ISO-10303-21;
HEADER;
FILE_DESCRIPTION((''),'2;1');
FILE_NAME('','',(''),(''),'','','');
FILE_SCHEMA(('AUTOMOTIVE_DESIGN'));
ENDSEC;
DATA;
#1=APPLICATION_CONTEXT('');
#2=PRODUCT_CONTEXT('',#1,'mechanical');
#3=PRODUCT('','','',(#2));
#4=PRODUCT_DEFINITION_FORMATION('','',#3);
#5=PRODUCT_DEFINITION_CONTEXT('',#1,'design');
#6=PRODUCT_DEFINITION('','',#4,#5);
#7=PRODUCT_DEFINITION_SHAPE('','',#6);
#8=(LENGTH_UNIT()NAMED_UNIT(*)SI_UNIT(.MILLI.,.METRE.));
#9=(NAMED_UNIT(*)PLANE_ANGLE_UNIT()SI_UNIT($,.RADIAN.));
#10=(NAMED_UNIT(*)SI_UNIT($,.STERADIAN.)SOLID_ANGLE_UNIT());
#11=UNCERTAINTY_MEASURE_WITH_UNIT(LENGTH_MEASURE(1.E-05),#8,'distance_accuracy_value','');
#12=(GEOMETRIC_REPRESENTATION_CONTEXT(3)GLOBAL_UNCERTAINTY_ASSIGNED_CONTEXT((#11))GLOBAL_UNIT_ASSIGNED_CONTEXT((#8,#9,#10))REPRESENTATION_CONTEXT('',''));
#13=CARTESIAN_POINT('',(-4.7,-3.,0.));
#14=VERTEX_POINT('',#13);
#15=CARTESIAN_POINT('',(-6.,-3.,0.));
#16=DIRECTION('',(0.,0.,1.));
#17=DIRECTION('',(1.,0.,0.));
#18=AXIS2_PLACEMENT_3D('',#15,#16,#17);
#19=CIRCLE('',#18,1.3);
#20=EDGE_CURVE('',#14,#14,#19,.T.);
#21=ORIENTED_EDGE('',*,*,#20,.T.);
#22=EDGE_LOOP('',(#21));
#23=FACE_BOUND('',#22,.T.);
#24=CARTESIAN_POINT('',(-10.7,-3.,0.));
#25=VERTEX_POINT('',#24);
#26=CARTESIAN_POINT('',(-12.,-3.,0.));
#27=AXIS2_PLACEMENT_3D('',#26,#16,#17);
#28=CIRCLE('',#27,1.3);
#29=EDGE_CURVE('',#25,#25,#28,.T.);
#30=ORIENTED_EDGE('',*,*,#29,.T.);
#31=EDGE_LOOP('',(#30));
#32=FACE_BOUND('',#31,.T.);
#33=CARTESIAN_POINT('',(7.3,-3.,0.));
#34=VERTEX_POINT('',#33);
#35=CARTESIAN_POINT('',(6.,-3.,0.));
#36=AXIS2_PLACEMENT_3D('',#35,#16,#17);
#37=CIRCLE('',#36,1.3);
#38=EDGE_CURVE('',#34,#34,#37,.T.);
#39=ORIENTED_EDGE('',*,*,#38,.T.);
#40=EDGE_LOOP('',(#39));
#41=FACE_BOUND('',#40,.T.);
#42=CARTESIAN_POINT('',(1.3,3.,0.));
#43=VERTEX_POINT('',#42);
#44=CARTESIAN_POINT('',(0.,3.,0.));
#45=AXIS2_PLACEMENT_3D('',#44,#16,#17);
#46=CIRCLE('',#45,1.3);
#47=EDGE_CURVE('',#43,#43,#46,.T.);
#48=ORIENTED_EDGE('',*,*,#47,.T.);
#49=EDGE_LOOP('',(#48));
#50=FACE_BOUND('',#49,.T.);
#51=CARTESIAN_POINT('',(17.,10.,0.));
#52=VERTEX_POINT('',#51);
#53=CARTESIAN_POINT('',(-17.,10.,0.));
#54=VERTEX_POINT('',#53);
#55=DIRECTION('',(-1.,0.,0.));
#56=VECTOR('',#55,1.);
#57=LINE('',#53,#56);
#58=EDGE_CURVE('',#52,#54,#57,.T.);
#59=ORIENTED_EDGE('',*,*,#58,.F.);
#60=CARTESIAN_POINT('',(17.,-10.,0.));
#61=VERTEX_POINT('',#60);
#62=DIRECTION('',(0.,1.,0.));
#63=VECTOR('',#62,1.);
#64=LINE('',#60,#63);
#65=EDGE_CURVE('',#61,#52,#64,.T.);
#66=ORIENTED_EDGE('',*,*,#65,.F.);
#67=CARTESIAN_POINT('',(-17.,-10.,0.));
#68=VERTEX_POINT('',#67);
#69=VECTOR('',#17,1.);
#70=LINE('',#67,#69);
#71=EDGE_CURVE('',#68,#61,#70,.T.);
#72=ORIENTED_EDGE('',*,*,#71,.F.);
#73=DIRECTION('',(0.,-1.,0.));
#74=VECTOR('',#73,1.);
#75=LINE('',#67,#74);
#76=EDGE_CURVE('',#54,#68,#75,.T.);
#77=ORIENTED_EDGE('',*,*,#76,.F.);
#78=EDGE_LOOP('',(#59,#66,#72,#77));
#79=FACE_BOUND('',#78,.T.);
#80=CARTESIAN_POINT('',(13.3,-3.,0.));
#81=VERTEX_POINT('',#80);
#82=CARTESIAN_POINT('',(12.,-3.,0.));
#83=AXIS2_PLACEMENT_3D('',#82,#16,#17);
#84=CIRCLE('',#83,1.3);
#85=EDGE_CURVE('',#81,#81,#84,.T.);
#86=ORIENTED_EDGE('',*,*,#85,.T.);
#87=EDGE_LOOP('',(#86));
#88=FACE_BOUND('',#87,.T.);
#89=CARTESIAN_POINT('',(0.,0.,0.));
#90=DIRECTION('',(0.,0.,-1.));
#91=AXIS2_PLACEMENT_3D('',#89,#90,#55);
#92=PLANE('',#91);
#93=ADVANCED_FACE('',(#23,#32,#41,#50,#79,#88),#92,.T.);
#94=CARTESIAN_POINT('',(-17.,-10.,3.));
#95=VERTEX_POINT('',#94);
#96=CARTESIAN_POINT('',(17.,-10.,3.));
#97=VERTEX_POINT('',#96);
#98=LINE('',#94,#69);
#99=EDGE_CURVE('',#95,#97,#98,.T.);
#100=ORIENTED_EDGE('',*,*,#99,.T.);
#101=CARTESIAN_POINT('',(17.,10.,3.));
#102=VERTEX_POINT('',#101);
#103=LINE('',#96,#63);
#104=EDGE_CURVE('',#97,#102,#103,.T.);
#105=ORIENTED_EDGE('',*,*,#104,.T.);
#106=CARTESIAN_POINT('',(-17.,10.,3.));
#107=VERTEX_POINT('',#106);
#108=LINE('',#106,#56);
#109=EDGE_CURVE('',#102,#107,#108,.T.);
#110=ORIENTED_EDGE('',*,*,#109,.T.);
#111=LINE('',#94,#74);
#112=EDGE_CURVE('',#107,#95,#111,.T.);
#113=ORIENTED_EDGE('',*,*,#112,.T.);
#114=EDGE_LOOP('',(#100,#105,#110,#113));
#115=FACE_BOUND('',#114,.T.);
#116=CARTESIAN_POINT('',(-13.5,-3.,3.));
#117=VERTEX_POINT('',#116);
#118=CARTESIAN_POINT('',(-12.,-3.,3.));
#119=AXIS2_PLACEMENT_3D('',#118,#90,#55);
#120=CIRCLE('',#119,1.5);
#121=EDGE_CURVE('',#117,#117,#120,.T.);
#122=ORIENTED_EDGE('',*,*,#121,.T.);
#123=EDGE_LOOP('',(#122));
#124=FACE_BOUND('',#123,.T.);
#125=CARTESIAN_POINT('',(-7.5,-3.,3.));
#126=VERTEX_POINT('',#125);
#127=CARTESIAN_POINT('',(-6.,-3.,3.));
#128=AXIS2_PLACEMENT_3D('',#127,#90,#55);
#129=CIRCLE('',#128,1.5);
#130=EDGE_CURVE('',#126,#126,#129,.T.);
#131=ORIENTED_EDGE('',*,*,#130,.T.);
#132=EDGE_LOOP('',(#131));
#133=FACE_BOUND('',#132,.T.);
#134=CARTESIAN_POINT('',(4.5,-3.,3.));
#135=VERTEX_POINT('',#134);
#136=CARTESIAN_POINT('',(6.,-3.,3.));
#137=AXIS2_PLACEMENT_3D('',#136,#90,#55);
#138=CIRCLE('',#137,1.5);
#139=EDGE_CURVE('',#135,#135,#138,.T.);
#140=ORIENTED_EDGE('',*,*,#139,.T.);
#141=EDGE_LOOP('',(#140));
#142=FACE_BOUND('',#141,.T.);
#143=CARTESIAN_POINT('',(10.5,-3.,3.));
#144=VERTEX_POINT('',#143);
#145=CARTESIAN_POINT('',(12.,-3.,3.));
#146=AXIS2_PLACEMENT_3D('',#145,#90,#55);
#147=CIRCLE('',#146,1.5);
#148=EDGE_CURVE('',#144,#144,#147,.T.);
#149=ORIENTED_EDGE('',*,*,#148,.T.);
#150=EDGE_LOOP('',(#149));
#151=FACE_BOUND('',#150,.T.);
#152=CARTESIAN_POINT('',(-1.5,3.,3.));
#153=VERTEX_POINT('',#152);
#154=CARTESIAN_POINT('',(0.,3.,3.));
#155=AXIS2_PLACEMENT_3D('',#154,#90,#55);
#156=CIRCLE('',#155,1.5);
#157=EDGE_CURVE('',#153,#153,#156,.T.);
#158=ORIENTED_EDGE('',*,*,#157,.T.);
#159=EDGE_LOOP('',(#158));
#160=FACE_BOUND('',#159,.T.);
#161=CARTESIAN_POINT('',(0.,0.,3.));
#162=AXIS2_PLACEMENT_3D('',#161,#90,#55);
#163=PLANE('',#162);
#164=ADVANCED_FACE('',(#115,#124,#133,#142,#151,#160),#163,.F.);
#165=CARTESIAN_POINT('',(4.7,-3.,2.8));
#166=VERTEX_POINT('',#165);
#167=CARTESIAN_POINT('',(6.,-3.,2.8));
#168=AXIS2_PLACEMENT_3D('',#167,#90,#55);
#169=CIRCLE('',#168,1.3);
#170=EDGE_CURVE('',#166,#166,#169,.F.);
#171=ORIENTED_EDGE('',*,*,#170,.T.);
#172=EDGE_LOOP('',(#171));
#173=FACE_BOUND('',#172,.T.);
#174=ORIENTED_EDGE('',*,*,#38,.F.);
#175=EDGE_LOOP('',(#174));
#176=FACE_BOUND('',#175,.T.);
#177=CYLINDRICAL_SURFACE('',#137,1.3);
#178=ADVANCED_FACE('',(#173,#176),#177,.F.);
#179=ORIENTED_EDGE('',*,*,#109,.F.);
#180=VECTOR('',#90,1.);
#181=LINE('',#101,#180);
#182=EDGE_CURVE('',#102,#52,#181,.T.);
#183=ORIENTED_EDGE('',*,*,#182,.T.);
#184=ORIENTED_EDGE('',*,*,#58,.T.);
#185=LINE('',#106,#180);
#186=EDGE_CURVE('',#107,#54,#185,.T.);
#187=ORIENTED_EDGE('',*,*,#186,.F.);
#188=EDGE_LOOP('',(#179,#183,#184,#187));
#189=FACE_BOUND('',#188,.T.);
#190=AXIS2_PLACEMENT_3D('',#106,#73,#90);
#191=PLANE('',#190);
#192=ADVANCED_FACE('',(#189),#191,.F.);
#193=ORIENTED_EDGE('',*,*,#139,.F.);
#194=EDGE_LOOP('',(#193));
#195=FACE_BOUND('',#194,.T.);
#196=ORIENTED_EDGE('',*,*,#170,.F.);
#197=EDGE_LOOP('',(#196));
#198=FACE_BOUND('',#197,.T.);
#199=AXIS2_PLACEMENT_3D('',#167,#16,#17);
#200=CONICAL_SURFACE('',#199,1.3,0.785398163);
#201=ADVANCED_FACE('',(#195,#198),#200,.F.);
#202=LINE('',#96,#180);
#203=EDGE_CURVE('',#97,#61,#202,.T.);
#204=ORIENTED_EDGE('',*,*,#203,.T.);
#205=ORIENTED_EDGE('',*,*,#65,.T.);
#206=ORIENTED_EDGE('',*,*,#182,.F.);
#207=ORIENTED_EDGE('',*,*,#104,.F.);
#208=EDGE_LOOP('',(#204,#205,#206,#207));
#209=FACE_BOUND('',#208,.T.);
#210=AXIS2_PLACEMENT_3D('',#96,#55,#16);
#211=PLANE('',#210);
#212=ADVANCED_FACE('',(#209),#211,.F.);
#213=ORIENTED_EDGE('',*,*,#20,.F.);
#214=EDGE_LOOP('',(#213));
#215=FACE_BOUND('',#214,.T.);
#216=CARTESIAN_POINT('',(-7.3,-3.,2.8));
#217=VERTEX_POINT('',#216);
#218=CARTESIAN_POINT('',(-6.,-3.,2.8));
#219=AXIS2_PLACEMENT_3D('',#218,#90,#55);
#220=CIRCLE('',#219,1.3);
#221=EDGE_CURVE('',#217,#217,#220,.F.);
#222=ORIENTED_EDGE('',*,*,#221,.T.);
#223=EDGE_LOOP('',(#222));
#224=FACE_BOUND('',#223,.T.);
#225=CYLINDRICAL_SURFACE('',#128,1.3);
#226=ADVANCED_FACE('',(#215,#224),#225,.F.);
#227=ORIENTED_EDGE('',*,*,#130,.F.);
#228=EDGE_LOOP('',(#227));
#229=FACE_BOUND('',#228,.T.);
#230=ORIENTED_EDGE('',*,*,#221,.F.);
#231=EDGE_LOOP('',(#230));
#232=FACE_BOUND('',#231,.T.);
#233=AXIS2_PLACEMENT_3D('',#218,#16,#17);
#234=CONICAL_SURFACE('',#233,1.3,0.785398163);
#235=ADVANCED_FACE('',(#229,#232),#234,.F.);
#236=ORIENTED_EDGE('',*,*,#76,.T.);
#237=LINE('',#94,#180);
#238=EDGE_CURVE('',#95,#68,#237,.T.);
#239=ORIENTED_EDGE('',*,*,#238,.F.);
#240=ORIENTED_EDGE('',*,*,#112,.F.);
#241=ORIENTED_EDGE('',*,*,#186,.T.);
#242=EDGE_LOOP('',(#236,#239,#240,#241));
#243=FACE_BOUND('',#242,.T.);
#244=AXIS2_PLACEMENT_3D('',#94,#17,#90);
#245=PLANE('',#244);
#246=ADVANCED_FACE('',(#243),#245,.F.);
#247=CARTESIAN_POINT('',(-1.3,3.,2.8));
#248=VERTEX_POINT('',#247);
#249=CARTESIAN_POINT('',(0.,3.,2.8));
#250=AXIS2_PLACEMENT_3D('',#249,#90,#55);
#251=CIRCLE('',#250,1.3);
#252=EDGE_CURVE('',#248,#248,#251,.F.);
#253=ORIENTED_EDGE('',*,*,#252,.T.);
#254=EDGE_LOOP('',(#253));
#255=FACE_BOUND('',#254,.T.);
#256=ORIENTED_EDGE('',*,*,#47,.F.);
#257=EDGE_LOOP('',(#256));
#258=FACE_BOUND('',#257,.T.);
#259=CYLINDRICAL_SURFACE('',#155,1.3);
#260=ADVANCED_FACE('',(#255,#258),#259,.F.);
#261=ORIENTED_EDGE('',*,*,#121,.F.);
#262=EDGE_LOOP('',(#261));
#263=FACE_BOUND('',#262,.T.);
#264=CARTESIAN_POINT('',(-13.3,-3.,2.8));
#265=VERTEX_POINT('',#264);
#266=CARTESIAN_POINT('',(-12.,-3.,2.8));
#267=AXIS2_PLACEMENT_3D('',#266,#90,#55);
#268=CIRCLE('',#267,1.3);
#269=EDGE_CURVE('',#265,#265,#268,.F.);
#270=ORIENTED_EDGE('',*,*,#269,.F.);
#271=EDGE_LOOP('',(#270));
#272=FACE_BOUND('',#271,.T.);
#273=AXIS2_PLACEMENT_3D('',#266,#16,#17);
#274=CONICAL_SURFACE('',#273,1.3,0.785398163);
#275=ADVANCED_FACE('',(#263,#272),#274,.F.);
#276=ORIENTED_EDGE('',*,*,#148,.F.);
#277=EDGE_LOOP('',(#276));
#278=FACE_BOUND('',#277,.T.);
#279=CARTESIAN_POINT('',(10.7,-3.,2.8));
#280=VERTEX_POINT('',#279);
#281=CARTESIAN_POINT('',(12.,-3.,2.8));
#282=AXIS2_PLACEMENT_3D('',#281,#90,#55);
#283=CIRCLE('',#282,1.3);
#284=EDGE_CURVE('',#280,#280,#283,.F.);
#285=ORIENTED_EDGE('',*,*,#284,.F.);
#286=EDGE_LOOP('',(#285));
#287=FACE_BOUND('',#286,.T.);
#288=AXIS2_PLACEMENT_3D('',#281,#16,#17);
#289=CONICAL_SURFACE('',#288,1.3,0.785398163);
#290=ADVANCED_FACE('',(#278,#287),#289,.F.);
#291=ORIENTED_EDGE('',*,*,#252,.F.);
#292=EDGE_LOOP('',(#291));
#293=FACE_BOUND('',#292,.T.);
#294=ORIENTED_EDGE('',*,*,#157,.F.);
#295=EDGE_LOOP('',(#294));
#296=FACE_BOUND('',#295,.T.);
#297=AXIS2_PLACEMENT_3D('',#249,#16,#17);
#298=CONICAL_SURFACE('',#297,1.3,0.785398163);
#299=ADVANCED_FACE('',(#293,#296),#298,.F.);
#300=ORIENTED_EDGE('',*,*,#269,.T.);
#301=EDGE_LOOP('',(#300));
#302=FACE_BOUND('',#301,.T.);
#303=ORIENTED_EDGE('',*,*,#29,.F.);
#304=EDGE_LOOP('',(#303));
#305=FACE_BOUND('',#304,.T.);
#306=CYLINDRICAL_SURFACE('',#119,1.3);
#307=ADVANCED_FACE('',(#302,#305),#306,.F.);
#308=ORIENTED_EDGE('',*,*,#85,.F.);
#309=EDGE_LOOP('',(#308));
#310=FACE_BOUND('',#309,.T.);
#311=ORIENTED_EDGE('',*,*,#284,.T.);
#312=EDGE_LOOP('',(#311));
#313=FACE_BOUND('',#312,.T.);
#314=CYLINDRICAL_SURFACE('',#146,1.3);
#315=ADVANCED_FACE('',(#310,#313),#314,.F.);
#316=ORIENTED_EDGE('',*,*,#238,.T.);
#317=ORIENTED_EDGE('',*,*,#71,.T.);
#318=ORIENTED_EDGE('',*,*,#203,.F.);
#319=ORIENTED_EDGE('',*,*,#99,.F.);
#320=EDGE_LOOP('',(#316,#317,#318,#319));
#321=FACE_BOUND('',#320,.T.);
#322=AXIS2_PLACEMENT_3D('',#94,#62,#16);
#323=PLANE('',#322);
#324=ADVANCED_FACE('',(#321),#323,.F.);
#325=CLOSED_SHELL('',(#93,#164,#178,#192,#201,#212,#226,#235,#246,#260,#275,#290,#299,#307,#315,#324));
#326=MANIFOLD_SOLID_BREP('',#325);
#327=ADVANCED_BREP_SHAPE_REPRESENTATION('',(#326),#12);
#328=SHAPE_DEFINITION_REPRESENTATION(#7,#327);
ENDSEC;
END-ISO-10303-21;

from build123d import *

# Parameters (mm, degrees)
SKETCH_1_W      = 34
SKETCH_1_H      = 20
SKETCH_1_R      = 1.3
EXTRUDE_1_DEPTH = 3
CHAMFER_1_SIZE  = 0.2


with BuildPart() as part:
    # 草圖1 → 填料-伸長1 (new body)
    with BuildSketch(Plane.XY):
        Rectangle(SKETCH_1_W, SKETCH_1_H)
        with Locations((0, 3)):
            Circle(SKETCH_1_R, mode=Mode.SUBTRACT)
        with Locations((-6, -3)):
            Circle(SKETCH_1_R, mode=Mode.SUBTRACT)
        with Locations((6, -3)):
            Circle(SKETCH_1_R, mode=Mode.SUBTRACT)
        with Locations((12, -3)):
            Circle(SKETCH_1_R, mode=Mode.SUBTRACT)
        with Locations((-12, -3)):
            Circle(SKETCH_1_R, mode=Mode.SUBTRACT)
    extrude(amount=EXTRUDE_1_DEPTH)

    # 導角1
    chamfer_1_edges = [part.edges().sort_by_distance(p)[0] for p in [
        (-13.3, -3, 3),
        (-1.3, 3, 3),
        (4.7, -3, 3),
        (-7.3, -3, 3),
        (10.7, -3, 3),
    ]]
    chamfer(chamfer_1_edges, length=CHAMFER_1_SIZE)


solid = part.part
